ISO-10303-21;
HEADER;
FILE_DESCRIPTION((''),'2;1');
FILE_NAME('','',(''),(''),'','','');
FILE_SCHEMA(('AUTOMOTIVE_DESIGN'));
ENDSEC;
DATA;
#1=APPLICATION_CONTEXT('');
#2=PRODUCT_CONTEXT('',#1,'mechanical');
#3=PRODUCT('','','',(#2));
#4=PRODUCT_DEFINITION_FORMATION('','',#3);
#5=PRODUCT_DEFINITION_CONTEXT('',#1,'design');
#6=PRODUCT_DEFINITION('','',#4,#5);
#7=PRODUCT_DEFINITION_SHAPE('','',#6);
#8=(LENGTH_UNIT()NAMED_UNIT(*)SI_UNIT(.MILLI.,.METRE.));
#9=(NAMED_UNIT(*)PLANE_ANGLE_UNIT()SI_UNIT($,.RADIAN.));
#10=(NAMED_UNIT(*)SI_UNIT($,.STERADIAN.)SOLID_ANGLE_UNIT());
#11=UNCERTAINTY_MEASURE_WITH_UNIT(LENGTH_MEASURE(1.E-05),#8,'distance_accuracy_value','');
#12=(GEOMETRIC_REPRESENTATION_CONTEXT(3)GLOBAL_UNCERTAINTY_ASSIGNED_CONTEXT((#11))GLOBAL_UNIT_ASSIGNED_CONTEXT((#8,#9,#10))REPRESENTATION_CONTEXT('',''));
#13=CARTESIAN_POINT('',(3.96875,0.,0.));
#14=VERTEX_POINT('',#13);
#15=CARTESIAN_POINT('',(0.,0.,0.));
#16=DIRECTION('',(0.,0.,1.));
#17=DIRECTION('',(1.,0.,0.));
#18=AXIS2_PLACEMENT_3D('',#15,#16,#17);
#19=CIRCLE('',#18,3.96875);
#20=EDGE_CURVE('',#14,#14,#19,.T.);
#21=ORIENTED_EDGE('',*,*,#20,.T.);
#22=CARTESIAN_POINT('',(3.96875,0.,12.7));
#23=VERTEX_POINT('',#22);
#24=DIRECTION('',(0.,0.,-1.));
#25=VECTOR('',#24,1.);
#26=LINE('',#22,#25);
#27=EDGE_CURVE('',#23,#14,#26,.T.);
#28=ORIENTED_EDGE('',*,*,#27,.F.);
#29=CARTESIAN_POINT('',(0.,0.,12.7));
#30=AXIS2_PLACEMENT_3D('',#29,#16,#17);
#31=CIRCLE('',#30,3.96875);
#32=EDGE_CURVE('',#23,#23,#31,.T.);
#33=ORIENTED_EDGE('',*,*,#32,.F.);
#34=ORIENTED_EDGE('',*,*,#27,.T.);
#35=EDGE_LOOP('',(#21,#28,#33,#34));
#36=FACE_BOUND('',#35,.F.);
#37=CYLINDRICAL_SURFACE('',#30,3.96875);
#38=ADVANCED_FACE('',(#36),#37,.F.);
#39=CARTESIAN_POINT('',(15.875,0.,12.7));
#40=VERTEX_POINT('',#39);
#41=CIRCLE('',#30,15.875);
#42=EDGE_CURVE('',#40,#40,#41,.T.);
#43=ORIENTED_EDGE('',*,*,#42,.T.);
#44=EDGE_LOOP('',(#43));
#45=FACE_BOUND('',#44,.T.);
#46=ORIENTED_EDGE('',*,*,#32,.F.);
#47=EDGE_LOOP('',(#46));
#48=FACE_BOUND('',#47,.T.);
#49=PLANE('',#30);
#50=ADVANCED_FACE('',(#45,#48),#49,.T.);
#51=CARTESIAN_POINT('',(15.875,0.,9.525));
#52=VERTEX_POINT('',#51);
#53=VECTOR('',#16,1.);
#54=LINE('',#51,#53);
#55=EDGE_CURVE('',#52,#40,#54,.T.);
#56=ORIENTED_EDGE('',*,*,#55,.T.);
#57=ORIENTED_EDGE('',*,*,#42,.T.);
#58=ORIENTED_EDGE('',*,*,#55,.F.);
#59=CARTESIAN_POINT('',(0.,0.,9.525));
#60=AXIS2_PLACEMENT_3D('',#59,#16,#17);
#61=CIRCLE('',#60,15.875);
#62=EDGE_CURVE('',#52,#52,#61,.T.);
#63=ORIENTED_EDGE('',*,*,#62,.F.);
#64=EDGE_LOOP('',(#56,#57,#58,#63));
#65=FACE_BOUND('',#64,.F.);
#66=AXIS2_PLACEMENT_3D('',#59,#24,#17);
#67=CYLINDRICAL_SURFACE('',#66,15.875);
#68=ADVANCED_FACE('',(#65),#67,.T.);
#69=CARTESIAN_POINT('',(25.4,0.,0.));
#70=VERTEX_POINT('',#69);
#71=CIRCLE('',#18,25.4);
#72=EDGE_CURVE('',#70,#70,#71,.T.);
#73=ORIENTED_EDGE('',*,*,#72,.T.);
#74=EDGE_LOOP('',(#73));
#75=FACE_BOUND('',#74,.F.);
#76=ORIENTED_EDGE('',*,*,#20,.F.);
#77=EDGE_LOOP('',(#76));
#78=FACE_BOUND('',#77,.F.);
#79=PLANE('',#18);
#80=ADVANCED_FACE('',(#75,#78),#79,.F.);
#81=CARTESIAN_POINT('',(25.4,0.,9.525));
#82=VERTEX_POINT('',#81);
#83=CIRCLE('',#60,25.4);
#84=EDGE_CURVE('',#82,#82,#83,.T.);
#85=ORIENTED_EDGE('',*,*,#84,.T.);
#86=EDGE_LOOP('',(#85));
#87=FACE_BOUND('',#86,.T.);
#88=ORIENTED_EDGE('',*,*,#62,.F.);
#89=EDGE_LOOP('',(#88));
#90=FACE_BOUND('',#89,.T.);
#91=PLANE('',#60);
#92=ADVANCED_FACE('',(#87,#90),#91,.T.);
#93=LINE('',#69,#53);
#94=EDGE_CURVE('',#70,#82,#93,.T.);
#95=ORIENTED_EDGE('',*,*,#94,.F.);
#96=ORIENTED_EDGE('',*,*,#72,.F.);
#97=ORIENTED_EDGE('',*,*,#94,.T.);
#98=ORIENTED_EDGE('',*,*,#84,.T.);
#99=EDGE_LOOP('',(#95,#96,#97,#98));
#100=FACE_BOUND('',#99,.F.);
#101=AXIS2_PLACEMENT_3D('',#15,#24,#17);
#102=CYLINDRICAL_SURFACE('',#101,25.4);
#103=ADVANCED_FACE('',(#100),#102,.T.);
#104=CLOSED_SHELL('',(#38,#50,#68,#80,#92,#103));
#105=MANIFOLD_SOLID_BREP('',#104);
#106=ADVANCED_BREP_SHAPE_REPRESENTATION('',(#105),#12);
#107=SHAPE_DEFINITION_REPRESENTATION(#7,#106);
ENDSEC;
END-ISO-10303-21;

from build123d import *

# Parameters (mm, degrees)
F0_R     = 25.4
F1_DEPTH = 9.525
F2_R     = 15.875
F3_DEPTH = 3.175
F4_R     = 3.96875
F5_DEPTH = 12.701


with BuildPart() as f1:
    # F0 (on Top) → F1 (new body)
    with BuildSketch(Plane.XY):
        Circle(F0_R)
    extrude(amount=F1_DEPTH)

    # F2 (on face) → F3 (join)
    with BuildSketch(Plane.XY.offset(9.525)):
        Circle(F2_R)
    extrude(amount=F3_DEPTH)

    # F4 (on face) → F5 (cut, through all)
    with BuildSketch(Plane.XY.offset(12.7)):
        Circle(F4_R)
    extrude(amount=-F5_DEPTH, mode=Mode.SUBTRACT)


solid = f1.part
